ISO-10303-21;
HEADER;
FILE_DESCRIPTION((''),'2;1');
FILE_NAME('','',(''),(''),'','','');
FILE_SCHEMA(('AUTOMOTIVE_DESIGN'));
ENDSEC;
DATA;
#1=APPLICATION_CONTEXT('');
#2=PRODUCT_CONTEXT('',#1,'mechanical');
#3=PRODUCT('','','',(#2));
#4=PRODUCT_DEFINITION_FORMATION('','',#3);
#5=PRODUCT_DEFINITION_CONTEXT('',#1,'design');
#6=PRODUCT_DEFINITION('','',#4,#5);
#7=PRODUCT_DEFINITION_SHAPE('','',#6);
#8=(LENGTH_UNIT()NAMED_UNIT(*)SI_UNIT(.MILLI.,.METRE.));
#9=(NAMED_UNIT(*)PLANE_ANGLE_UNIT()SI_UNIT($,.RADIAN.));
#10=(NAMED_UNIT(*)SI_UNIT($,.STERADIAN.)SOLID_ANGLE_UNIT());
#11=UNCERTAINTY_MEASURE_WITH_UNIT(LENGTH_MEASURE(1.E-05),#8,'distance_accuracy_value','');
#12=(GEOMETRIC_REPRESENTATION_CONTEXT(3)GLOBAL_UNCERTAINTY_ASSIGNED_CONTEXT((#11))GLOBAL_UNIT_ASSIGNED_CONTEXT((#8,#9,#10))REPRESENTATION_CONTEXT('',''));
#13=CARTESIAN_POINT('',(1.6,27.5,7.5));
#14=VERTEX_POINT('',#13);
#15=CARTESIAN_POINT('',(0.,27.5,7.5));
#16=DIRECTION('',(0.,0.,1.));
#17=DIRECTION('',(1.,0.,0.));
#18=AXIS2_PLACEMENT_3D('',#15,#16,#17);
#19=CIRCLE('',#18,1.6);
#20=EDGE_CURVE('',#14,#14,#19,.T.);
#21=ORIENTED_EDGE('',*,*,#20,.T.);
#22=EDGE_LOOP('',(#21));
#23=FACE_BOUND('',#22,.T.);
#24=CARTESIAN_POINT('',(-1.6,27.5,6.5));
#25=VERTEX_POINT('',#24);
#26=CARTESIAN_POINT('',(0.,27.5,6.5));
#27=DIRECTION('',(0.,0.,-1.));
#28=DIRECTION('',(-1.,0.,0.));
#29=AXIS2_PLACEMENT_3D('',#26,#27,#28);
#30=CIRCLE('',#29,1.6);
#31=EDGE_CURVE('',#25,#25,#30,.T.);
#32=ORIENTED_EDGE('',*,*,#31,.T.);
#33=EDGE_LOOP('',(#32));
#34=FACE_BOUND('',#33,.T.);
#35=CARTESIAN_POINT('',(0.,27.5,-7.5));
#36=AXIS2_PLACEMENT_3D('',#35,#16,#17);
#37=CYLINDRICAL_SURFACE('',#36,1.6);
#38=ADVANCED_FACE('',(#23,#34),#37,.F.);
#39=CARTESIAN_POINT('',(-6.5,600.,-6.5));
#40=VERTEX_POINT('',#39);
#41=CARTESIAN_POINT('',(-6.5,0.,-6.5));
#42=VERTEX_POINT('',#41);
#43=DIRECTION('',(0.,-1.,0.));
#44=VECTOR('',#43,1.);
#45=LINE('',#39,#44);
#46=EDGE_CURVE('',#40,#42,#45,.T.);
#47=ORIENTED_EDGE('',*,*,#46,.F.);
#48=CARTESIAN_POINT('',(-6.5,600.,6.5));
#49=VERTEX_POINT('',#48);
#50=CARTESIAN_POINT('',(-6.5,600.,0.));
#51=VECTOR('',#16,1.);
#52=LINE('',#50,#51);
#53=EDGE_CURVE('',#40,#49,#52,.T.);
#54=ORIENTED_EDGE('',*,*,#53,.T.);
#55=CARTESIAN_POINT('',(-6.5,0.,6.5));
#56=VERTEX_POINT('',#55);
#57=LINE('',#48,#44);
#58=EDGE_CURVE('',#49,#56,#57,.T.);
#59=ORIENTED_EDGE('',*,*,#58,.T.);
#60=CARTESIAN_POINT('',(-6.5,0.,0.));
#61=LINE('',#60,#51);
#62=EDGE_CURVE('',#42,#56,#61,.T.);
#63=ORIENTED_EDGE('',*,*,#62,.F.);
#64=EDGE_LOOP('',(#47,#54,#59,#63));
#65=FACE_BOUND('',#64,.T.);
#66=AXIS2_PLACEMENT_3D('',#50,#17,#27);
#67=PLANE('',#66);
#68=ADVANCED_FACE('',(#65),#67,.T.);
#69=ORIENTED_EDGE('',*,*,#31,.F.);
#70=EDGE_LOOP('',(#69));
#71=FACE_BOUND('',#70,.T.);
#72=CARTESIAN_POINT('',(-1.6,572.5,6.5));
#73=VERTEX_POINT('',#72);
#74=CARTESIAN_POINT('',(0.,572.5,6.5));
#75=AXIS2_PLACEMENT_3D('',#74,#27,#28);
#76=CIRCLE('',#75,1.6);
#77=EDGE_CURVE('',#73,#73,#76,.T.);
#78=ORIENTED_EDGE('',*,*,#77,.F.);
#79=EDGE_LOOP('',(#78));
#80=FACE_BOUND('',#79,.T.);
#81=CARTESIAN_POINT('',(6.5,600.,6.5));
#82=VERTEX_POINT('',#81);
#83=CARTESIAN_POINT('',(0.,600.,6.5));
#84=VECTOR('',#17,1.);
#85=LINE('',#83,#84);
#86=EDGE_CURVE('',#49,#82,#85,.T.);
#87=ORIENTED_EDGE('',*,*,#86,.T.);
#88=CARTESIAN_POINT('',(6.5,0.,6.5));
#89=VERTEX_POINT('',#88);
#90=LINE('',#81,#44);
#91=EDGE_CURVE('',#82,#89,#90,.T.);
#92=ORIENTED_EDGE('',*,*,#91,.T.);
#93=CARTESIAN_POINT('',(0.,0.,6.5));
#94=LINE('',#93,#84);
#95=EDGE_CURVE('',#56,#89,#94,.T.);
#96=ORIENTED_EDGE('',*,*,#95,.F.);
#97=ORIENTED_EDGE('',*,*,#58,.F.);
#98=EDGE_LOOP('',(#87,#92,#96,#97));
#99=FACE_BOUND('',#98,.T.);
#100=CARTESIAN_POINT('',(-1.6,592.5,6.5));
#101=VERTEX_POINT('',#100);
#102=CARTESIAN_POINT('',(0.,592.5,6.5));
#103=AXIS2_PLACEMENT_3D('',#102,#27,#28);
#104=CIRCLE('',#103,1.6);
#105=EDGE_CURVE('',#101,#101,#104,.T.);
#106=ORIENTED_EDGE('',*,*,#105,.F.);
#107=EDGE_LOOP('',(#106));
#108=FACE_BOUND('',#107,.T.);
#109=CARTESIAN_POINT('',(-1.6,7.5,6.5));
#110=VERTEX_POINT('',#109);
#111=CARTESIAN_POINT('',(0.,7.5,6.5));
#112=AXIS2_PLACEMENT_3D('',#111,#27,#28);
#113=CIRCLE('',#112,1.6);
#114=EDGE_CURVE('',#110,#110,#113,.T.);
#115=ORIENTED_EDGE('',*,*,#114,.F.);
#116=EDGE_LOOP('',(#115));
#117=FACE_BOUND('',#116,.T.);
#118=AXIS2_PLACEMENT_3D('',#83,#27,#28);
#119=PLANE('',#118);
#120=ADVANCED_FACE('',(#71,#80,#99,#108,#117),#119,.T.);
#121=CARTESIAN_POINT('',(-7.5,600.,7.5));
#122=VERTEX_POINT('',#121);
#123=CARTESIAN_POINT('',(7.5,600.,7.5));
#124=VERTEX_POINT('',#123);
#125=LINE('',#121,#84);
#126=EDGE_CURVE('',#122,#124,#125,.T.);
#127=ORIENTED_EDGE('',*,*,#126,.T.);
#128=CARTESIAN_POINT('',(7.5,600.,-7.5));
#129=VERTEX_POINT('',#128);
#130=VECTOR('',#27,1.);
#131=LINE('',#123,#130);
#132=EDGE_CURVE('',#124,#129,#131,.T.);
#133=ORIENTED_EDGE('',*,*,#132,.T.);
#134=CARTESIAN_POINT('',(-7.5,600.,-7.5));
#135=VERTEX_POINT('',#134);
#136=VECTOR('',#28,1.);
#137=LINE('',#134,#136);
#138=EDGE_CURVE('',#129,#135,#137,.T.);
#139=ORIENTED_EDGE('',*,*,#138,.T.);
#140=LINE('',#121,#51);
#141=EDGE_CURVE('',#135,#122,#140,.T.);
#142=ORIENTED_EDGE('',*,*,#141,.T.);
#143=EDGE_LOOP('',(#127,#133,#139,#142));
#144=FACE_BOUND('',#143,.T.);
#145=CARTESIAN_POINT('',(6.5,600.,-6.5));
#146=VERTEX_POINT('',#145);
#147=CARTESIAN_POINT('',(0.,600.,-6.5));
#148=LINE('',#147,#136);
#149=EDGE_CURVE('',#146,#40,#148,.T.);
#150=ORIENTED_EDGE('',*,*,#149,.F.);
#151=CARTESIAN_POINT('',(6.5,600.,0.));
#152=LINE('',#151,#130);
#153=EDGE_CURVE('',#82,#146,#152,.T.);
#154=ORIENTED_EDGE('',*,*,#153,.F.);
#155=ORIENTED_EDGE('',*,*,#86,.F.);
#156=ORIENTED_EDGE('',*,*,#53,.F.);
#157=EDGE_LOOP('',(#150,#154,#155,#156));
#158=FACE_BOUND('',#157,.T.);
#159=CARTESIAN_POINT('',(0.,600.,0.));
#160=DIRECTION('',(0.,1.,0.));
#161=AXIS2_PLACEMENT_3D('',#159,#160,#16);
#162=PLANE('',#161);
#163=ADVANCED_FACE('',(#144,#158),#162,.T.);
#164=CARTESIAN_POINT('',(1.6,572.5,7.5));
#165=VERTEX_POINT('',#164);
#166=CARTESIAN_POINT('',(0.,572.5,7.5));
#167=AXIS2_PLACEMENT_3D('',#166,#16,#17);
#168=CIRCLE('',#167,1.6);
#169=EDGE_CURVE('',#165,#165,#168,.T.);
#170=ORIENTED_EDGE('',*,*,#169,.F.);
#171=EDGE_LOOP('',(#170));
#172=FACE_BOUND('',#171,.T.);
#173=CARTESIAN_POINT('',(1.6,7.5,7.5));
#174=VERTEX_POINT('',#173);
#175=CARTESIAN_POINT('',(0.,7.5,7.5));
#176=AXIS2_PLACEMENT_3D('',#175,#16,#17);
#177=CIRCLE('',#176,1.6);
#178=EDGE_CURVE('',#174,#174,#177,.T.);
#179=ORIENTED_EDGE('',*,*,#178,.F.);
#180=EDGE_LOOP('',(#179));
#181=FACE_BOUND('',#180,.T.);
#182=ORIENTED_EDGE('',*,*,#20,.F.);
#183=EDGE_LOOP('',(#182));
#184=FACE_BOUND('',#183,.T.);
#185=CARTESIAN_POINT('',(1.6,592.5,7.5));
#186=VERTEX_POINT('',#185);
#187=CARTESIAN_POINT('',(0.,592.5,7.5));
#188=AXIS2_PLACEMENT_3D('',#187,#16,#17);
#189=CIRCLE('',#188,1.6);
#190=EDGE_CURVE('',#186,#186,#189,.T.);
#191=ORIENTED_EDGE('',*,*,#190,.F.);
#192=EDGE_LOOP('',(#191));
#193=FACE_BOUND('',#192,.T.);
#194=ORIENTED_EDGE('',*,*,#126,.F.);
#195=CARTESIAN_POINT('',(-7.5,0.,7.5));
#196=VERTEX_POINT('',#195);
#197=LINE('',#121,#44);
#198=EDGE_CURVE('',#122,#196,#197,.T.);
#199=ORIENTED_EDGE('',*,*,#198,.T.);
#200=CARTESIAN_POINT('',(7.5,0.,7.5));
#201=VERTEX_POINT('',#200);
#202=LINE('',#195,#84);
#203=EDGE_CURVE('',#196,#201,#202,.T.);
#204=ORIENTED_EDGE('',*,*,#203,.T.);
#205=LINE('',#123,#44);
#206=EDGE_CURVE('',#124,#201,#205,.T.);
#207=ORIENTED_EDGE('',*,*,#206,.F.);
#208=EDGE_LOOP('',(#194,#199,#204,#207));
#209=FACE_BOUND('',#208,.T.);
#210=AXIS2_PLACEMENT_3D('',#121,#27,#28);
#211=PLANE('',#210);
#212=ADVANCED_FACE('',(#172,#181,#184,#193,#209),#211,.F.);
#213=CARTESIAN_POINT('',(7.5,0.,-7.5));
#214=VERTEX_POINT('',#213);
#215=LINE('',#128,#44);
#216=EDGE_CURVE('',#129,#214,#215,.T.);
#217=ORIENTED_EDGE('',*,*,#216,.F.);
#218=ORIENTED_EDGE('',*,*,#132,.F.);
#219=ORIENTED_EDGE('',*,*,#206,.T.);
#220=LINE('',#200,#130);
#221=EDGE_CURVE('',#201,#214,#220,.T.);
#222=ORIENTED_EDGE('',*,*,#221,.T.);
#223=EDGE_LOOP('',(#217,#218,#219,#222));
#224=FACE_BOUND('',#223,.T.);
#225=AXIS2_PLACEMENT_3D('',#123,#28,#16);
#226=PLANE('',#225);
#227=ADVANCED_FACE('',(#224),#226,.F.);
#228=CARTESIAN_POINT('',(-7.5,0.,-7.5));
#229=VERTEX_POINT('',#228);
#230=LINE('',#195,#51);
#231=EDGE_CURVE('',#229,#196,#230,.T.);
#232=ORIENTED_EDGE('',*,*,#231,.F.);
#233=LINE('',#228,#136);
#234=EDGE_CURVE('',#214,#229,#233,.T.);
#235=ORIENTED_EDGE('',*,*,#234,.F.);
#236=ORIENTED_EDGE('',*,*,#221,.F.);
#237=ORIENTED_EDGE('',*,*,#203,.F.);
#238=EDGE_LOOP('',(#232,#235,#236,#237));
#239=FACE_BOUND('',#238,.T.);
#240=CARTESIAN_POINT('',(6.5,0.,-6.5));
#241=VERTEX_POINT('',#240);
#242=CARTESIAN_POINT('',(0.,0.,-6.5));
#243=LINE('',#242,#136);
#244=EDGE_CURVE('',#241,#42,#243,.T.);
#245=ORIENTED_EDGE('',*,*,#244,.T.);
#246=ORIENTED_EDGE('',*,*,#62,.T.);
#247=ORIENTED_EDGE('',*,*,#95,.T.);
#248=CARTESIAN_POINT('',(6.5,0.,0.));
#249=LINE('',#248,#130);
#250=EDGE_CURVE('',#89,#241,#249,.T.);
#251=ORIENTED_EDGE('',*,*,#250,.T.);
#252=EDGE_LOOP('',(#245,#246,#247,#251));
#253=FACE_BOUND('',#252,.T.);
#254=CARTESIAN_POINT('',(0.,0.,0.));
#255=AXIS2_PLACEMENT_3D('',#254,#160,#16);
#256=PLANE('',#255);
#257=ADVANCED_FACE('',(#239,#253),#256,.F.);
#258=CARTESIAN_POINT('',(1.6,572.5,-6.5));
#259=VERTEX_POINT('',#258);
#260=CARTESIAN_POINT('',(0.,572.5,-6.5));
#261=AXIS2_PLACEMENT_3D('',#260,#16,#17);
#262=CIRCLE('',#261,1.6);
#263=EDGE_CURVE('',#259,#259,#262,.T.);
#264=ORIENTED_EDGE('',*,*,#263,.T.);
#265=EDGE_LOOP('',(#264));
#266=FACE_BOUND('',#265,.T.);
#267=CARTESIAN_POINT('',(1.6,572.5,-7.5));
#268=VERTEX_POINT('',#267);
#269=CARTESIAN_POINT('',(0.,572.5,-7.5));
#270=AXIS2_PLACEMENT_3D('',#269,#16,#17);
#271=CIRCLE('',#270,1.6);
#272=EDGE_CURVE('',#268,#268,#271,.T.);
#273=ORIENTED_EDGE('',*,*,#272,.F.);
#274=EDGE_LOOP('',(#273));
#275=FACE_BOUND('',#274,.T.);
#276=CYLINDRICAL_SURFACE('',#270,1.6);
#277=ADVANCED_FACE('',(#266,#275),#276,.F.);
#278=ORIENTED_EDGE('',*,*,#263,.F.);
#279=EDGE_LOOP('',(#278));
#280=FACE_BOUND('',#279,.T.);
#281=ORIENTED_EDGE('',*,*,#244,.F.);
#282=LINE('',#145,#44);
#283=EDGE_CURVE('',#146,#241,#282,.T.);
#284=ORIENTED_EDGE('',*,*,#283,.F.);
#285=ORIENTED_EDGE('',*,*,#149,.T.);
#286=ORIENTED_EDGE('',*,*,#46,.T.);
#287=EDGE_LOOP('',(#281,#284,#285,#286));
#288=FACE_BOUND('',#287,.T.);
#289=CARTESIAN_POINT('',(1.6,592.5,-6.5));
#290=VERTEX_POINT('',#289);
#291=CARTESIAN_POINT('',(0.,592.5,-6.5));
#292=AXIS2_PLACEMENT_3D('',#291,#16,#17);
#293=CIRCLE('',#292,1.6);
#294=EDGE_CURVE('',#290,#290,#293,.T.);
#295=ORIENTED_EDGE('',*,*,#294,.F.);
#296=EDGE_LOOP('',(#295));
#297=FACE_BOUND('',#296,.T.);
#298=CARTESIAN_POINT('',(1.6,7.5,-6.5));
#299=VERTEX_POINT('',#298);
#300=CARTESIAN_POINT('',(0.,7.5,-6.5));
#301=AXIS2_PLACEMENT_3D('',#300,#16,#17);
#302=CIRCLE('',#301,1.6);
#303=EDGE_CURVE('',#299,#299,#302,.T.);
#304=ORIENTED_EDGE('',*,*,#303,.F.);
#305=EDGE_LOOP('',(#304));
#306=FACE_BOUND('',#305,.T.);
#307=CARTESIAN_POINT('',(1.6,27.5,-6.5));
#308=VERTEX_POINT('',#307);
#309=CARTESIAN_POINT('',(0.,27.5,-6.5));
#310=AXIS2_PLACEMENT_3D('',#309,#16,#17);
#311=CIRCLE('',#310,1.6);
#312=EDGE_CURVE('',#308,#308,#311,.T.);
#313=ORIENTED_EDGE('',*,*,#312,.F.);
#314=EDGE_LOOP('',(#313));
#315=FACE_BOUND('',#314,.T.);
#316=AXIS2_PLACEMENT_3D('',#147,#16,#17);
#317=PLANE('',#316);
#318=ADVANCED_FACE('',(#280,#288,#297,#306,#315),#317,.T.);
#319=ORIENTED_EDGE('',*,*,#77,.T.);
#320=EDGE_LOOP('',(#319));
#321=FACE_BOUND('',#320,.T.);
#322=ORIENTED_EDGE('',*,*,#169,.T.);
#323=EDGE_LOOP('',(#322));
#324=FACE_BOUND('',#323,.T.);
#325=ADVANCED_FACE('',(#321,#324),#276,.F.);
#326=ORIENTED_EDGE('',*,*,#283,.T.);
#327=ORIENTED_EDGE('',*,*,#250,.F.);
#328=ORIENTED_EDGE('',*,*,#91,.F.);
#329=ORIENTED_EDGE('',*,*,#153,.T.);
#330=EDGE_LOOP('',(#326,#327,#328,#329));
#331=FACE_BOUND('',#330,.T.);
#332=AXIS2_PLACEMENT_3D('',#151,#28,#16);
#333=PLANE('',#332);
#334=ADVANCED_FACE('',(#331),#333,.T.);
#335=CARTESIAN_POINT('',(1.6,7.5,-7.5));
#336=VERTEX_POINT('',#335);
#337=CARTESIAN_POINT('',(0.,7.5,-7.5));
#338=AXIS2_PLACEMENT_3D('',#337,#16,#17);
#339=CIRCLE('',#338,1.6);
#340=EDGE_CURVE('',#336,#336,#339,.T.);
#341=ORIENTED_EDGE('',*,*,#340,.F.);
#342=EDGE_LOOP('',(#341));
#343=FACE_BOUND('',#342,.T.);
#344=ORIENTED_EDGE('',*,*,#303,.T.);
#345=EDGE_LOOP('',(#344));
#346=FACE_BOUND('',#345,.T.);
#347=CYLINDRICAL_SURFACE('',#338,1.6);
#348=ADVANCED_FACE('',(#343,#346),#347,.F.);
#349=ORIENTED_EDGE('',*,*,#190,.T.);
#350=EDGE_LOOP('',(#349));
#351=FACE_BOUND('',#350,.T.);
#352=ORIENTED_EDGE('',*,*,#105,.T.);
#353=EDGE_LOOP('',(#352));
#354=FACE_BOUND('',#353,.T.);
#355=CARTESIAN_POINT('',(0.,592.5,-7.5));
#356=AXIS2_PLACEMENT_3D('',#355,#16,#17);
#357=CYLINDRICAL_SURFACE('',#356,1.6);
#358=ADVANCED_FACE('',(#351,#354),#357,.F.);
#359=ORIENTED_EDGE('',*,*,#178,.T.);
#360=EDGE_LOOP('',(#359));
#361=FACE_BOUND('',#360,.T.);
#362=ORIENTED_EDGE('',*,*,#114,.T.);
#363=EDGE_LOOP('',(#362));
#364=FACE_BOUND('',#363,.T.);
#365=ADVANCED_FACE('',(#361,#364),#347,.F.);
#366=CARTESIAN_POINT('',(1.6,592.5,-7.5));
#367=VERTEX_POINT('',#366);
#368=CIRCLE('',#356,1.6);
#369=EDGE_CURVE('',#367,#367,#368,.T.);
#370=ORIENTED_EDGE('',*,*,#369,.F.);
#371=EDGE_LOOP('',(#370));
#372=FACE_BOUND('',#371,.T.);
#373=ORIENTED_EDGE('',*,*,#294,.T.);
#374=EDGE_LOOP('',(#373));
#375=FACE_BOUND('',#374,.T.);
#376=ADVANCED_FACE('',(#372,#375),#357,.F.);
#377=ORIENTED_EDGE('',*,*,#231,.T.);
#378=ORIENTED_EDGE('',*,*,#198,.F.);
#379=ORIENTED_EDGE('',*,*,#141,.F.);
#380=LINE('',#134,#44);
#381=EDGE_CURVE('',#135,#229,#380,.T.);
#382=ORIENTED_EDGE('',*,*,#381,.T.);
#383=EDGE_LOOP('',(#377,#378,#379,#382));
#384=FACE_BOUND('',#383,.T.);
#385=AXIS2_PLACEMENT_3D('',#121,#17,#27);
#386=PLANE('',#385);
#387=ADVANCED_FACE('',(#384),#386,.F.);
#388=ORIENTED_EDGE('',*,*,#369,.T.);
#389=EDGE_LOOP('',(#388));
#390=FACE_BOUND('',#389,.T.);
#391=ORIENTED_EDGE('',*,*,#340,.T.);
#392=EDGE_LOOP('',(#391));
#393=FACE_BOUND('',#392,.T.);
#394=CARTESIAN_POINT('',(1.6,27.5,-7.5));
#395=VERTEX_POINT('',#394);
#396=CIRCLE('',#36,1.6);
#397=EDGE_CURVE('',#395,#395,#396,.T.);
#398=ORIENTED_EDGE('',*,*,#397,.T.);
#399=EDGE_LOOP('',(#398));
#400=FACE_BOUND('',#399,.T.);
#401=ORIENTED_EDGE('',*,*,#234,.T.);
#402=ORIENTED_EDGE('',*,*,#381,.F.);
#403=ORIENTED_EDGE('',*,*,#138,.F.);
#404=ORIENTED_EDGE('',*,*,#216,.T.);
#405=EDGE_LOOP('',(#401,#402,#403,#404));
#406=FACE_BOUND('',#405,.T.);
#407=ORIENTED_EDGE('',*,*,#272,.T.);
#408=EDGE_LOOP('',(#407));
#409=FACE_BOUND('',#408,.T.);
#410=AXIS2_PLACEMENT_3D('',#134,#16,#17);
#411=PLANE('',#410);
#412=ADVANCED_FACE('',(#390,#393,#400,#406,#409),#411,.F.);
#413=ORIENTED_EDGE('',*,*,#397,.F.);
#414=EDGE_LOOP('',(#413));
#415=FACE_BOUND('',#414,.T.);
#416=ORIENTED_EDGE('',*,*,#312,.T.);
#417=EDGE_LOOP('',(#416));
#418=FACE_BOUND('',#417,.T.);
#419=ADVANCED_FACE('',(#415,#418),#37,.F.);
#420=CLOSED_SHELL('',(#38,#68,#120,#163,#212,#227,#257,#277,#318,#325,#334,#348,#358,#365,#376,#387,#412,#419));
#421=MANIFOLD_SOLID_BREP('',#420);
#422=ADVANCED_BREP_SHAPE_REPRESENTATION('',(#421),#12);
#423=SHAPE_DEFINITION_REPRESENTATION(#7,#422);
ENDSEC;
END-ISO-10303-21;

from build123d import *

# Parameters (mm, degrees)
SKETCH_1_W          = 15
SKETCH_1_H          = 15
SKETCH_1_W_2        = 13
SKETCH_1_H_2        = 13
EXTRUDE_1_DEPTH     = 600
SKETCH_2_R          = 1.6
CUT_EXTRUDE_1_DEPTH = 601.234329242


with BuildPart() as part:
    # 草图1 → 拉伸-薄壁1 (new body)
    with BuildSketch(Plane(origin=(0, 0, 0), x_dir=(1, 0, 0), z_dir=(0, 1, 0))):
        Rectangle(SKETCH_1_W, SKETCH_1_H)
        Rectangle(SKETCH_1_W_2, SKETCH_1_H_2, mode=Mode.SUBTRACT)
    extrude(amount=EXTRUDE_1_DEPTH)

    # 草图2 → 切除-拉伸1 (cut, through all)
    with BuildSketch(Plane.XY.offset(7.5)):
        with Locations((0, 7.5)):
            Circle(SKETCH_2_R)
        with Locations((0, 27.5)):
            Circle(SKETCH_2_R)
        with Locations((0, 572.5)):
            Circle(SKETCH_2_R)
        with Locations((0, 592.5)):
            Circle(SKETCH_2_R)
    extrude(amount=-CUT_EXTRUDE_1_DEPTH, mode=Mode.SUBTRACT)


solid = part.part
